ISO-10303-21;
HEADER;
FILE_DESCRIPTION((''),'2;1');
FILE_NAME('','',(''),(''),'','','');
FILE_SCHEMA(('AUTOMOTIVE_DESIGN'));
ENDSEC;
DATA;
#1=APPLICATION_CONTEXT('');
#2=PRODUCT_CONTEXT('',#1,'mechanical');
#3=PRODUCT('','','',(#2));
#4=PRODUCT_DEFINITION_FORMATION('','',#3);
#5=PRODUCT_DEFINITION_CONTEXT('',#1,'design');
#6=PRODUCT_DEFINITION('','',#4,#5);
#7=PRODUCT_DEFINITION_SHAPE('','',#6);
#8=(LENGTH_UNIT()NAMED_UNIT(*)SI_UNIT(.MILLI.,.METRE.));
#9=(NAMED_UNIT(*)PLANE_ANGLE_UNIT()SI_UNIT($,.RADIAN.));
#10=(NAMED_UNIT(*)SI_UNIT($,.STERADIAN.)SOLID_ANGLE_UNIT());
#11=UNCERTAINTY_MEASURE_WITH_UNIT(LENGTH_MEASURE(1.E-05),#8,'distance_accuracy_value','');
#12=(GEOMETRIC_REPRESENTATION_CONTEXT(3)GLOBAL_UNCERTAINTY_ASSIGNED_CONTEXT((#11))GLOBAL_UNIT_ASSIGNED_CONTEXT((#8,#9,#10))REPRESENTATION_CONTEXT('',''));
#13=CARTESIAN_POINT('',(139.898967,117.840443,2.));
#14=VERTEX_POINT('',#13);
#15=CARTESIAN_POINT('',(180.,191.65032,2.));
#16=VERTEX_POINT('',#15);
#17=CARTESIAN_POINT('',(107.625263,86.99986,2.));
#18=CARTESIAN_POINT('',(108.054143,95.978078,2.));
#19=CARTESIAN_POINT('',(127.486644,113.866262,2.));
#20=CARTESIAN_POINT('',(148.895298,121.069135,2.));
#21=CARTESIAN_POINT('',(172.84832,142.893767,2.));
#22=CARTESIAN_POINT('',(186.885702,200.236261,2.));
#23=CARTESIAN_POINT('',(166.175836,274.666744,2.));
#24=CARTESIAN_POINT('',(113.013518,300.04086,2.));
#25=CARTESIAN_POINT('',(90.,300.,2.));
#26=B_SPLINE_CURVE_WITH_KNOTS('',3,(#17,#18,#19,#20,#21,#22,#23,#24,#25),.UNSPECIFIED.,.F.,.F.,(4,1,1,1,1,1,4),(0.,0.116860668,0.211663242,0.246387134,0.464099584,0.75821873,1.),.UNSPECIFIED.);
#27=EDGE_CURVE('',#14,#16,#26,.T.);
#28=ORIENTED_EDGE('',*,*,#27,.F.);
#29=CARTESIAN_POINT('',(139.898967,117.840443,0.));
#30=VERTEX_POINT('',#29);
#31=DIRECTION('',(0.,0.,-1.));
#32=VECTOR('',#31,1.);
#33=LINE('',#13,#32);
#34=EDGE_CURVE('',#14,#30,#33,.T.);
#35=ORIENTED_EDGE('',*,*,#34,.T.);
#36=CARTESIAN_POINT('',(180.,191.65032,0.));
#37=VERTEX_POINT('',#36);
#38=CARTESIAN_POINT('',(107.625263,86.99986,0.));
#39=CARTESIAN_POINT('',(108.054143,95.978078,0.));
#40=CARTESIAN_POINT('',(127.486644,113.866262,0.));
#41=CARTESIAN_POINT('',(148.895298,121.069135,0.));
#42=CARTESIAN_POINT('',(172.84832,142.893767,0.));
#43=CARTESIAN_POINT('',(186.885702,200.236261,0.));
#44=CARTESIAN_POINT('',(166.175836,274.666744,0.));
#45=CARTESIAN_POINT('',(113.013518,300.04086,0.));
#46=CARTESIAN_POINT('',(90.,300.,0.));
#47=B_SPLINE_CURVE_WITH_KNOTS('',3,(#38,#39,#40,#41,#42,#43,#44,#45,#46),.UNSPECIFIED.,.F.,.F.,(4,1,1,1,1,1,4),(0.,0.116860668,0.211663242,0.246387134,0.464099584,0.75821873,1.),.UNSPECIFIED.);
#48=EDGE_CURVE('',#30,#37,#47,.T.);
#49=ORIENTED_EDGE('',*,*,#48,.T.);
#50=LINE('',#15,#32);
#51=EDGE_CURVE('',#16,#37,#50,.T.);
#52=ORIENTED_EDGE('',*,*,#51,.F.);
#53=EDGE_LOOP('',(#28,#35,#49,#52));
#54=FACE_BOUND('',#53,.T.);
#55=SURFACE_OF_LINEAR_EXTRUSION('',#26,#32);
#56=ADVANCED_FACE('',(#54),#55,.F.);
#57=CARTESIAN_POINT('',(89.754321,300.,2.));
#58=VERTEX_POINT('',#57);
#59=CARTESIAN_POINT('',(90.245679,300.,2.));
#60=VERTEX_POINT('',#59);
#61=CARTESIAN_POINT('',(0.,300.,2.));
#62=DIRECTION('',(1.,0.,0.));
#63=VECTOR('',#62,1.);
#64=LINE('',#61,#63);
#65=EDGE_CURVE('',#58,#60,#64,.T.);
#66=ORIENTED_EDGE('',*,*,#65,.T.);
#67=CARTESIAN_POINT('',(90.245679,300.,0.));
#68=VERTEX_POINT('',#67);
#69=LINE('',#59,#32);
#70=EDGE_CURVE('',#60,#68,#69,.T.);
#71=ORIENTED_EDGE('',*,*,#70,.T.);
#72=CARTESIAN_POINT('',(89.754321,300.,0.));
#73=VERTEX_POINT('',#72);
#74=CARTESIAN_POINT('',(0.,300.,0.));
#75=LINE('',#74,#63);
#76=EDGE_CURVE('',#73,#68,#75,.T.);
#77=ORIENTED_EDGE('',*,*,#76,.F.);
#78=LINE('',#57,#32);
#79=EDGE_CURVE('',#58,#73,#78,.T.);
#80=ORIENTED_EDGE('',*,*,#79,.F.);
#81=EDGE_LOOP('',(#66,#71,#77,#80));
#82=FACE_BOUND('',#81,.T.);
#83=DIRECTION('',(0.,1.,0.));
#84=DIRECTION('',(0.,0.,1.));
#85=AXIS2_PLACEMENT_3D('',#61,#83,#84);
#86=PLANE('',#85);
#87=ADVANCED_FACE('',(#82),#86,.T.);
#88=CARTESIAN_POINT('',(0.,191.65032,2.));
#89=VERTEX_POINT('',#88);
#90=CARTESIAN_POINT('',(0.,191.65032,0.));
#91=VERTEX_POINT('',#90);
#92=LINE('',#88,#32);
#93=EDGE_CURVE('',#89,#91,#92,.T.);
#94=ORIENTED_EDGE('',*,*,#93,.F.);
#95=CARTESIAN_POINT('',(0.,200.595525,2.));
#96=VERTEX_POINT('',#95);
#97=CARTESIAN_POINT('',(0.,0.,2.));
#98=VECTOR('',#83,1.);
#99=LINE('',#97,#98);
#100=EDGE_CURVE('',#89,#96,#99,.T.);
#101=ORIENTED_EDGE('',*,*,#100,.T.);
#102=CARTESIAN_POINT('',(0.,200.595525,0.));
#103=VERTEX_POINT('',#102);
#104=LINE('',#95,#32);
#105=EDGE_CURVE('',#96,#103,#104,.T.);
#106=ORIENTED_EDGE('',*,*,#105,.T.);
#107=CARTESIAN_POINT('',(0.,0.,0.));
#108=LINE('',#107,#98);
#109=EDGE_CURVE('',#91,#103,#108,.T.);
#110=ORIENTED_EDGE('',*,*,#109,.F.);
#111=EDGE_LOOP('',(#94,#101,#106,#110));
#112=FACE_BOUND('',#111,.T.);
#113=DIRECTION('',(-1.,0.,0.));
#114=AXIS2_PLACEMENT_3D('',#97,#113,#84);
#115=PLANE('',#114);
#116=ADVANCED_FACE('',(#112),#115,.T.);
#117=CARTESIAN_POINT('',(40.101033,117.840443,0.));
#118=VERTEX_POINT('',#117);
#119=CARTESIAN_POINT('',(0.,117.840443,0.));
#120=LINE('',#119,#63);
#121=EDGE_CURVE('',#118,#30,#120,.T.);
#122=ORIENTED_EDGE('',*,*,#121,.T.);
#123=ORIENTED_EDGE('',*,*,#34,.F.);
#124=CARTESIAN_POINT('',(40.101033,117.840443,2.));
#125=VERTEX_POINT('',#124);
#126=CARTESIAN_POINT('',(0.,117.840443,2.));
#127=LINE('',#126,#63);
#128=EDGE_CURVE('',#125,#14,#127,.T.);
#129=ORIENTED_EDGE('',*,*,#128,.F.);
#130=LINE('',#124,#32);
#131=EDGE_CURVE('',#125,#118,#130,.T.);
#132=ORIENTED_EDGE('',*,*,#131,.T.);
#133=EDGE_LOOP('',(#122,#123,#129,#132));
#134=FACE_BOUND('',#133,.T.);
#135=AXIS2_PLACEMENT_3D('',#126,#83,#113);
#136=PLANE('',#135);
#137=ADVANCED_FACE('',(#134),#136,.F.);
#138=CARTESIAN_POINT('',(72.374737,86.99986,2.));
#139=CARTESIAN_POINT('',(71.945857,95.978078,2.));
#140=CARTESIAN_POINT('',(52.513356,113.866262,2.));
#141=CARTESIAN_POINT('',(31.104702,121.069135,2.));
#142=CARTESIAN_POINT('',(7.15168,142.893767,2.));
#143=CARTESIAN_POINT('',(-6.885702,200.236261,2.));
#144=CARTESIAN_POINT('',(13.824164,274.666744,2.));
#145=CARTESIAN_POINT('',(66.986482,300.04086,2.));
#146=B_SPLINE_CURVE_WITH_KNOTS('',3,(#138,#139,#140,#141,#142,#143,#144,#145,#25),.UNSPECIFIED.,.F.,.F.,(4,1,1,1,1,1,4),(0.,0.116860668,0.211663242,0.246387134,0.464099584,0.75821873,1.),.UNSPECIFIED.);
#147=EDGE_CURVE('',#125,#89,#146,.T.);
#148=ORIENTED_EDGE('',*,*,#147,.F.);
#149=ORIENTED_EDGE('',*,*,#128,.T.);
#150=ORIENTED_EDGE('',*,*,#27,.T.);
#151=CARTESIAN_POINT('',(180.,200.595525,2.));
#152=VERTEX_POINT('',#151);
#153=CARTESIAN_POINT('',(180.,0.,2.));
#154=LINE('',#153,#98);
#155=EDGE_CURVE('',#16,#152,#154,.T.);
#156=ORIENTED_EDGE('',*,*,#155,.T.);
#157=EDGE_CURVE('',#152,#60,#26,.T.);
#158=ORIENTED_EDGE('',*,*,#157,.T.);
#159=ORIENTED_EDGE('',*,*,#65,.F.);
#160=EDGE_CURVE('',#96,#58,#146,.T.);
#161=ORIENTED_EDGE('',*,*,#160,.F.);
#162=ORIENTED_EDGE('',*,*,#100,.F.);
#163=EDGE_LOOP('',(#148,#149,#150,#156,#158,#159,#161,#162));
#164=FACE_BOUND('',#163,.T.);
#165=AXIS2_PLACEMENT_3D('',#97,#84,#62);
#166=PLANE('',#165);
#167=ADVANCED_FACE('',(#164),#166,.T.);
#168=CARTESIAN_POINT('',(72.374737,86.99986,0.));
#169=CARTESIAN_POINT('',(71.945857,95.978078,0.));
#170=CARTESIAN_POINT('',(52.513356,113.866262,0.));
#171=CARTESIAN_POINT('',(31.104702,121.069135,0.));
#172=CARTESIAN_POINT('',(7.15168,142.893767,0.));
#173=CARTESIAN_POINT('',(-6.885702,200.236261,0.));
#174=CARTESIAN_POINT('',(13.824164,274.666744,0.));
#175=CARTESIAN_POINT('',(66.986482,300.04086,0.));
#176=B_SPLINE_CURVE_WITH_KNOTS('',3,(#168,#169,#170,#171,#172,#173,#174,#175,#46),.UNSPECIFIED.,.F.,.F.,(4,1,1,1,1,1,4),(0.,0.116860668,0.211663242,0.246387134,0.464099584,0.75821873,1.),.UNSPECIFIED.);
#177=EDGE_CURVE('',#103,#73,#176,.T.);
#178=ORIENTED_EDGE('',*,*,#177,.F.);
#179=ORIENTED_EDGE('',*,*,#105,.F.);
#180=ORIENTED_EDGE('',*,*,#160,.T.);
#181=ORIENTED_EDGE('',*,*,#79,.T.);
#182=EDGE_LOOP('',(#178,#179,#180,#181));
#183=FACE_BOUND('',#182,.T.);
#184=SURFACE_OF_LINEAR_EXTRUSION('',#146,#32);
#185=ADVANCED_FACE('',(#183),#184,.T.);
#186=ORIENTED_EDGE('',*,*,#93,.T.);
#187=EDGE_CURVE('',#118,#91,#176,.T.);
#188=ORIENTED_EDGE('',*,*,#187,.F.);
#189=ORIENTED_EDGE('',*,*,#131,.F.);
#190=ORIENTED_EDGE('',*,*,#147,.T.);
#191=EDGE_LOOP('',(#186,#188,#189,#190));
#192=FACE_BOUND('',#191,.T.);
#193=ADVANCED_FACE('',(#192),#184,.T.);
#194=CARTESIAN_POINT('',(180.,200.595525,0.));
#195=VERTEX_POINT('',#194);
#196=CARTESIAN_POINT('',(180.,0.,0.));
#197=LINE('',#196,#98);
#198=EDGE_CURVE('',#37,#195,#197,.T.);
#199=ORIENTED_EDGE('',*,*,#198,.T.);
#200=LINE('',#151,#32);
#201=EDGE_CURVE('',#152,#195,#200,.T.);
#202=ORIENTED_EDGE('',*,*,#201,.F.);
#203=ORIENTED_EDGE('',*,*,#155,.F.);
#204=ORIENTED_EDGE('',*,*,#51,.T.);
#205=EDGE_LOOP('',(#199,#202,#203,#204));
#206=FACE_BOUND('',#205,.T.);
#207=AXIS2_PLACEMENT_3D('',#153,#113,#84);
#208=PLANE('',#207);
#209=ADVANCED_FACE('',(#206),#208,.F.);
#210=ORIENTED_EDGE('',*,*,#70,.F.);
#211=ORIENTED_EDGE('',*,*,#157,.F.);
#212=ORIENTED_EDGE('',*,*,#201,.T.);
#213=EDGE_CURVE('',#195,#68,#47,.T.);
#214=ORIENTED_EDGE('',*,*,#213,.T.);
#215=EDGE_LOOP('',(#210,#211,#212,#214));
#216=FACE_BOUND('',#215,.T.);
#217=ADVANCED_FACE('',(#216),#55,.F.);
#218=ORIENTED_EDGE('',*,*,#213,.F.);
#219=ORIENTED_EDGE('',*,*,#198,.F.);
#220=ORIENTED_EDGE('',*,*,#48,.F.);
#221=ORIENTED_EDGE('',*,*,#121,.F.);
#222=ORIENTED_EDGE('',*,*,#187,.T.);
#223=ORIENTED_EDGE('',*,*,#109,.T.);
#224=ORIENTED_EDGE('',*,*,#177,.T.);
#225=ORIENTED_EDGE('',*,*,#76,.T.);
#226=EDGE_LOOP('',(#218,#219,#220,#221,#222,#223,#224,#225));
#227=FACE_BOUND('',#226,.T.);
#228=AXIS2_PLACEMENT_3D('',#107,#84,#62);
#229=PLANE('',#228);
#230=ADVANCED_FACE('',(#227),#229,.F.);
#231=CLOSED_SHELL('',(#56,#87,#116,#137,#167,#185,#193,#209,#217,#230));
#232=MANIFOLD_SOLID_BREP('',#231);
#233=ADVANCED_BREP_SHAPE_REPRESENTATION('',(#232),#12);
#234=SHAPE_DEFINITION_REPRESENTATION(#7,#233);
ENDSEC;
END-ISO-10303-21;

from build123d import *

# Parameters (mm, degrees)
BOSS_EXTRUDE2_DEPTH = 2


with BuildPart() as part:
    # Sketch1 → Boss-Extrude2 (new body)
    with BuildSketch(Plane.XY):
        with BuildLine():
            Line((0, 200.595525294), (0, 191.65032035))
            add(Edge.make_bspline(
                [(40.101032839, 117.840442967), (35.50049979, 120.099470076), (28.290809806, 123.632993412), (7.151679686, 142.893766889), (0.6682659, 169.378414193), (0, 191.65032035)],
                knots=[0.15765272, 0.15765272, 0.15765272, 0.15765272, 0.211663242, 0.246387134, 0.464099584, 0.464099584, 0.464099584, 0.464099584], degree=3))
            Line((40.101032839, 117.840442967), (139.898967161, 117.840442967))
            add(Edge.make_bspline(
                [(139.898967161, 117.840442967), (144.49950021, 120.099470076), (151.709190194, 123.632993412), (172.848320314, 142.893766889), (179.3317341, 169.378414193), (180, 191.65032035)],
                knots=[0.15765272, 0.15765272, 0.15765272, 0.15765272, 0.211663242, 0.246387134, 0.464099584, 0.464099584, 0.464099584, 0.464099584], degree=3))
            Line((180, 191.65032035), (180, 200.595525294))
            add(Edge.make_bspline(
                [(180, 200.595525294), (179.179346149, 227.438302674), (163.29910964, 275.970123499), (113.184129082, 299.959310061), (90.245728189, 300)],
                knots=[0.493370629, 0.493370629, 0.493370629, 0.493370629, 0.75821873, 0.999139583, 0.999139583, 0.999139583, 0.999139583], degree=3))
            Line((90.245728189, 300), (90, 300))
            Line((90, 300), (89.754271811, 300))
            add(Edge.make_bspline(
                [(0, 200.595525294), (0.820653851, 227.438302674), (16.70089036, 275.970123499), (66.815870918, 299.959310061), (89.754271811, 300)],
                knots=[0.493370629, 0.493370629, 0.493370629, 0.493370629, 0.75821873, 0.999139583, 0.999139583, 0.999139583, 0.999139583], degree=3))
        make_face()
    extrude(amount=BOSS_EXTRUDE2_DEPTH)


solid = part.part
